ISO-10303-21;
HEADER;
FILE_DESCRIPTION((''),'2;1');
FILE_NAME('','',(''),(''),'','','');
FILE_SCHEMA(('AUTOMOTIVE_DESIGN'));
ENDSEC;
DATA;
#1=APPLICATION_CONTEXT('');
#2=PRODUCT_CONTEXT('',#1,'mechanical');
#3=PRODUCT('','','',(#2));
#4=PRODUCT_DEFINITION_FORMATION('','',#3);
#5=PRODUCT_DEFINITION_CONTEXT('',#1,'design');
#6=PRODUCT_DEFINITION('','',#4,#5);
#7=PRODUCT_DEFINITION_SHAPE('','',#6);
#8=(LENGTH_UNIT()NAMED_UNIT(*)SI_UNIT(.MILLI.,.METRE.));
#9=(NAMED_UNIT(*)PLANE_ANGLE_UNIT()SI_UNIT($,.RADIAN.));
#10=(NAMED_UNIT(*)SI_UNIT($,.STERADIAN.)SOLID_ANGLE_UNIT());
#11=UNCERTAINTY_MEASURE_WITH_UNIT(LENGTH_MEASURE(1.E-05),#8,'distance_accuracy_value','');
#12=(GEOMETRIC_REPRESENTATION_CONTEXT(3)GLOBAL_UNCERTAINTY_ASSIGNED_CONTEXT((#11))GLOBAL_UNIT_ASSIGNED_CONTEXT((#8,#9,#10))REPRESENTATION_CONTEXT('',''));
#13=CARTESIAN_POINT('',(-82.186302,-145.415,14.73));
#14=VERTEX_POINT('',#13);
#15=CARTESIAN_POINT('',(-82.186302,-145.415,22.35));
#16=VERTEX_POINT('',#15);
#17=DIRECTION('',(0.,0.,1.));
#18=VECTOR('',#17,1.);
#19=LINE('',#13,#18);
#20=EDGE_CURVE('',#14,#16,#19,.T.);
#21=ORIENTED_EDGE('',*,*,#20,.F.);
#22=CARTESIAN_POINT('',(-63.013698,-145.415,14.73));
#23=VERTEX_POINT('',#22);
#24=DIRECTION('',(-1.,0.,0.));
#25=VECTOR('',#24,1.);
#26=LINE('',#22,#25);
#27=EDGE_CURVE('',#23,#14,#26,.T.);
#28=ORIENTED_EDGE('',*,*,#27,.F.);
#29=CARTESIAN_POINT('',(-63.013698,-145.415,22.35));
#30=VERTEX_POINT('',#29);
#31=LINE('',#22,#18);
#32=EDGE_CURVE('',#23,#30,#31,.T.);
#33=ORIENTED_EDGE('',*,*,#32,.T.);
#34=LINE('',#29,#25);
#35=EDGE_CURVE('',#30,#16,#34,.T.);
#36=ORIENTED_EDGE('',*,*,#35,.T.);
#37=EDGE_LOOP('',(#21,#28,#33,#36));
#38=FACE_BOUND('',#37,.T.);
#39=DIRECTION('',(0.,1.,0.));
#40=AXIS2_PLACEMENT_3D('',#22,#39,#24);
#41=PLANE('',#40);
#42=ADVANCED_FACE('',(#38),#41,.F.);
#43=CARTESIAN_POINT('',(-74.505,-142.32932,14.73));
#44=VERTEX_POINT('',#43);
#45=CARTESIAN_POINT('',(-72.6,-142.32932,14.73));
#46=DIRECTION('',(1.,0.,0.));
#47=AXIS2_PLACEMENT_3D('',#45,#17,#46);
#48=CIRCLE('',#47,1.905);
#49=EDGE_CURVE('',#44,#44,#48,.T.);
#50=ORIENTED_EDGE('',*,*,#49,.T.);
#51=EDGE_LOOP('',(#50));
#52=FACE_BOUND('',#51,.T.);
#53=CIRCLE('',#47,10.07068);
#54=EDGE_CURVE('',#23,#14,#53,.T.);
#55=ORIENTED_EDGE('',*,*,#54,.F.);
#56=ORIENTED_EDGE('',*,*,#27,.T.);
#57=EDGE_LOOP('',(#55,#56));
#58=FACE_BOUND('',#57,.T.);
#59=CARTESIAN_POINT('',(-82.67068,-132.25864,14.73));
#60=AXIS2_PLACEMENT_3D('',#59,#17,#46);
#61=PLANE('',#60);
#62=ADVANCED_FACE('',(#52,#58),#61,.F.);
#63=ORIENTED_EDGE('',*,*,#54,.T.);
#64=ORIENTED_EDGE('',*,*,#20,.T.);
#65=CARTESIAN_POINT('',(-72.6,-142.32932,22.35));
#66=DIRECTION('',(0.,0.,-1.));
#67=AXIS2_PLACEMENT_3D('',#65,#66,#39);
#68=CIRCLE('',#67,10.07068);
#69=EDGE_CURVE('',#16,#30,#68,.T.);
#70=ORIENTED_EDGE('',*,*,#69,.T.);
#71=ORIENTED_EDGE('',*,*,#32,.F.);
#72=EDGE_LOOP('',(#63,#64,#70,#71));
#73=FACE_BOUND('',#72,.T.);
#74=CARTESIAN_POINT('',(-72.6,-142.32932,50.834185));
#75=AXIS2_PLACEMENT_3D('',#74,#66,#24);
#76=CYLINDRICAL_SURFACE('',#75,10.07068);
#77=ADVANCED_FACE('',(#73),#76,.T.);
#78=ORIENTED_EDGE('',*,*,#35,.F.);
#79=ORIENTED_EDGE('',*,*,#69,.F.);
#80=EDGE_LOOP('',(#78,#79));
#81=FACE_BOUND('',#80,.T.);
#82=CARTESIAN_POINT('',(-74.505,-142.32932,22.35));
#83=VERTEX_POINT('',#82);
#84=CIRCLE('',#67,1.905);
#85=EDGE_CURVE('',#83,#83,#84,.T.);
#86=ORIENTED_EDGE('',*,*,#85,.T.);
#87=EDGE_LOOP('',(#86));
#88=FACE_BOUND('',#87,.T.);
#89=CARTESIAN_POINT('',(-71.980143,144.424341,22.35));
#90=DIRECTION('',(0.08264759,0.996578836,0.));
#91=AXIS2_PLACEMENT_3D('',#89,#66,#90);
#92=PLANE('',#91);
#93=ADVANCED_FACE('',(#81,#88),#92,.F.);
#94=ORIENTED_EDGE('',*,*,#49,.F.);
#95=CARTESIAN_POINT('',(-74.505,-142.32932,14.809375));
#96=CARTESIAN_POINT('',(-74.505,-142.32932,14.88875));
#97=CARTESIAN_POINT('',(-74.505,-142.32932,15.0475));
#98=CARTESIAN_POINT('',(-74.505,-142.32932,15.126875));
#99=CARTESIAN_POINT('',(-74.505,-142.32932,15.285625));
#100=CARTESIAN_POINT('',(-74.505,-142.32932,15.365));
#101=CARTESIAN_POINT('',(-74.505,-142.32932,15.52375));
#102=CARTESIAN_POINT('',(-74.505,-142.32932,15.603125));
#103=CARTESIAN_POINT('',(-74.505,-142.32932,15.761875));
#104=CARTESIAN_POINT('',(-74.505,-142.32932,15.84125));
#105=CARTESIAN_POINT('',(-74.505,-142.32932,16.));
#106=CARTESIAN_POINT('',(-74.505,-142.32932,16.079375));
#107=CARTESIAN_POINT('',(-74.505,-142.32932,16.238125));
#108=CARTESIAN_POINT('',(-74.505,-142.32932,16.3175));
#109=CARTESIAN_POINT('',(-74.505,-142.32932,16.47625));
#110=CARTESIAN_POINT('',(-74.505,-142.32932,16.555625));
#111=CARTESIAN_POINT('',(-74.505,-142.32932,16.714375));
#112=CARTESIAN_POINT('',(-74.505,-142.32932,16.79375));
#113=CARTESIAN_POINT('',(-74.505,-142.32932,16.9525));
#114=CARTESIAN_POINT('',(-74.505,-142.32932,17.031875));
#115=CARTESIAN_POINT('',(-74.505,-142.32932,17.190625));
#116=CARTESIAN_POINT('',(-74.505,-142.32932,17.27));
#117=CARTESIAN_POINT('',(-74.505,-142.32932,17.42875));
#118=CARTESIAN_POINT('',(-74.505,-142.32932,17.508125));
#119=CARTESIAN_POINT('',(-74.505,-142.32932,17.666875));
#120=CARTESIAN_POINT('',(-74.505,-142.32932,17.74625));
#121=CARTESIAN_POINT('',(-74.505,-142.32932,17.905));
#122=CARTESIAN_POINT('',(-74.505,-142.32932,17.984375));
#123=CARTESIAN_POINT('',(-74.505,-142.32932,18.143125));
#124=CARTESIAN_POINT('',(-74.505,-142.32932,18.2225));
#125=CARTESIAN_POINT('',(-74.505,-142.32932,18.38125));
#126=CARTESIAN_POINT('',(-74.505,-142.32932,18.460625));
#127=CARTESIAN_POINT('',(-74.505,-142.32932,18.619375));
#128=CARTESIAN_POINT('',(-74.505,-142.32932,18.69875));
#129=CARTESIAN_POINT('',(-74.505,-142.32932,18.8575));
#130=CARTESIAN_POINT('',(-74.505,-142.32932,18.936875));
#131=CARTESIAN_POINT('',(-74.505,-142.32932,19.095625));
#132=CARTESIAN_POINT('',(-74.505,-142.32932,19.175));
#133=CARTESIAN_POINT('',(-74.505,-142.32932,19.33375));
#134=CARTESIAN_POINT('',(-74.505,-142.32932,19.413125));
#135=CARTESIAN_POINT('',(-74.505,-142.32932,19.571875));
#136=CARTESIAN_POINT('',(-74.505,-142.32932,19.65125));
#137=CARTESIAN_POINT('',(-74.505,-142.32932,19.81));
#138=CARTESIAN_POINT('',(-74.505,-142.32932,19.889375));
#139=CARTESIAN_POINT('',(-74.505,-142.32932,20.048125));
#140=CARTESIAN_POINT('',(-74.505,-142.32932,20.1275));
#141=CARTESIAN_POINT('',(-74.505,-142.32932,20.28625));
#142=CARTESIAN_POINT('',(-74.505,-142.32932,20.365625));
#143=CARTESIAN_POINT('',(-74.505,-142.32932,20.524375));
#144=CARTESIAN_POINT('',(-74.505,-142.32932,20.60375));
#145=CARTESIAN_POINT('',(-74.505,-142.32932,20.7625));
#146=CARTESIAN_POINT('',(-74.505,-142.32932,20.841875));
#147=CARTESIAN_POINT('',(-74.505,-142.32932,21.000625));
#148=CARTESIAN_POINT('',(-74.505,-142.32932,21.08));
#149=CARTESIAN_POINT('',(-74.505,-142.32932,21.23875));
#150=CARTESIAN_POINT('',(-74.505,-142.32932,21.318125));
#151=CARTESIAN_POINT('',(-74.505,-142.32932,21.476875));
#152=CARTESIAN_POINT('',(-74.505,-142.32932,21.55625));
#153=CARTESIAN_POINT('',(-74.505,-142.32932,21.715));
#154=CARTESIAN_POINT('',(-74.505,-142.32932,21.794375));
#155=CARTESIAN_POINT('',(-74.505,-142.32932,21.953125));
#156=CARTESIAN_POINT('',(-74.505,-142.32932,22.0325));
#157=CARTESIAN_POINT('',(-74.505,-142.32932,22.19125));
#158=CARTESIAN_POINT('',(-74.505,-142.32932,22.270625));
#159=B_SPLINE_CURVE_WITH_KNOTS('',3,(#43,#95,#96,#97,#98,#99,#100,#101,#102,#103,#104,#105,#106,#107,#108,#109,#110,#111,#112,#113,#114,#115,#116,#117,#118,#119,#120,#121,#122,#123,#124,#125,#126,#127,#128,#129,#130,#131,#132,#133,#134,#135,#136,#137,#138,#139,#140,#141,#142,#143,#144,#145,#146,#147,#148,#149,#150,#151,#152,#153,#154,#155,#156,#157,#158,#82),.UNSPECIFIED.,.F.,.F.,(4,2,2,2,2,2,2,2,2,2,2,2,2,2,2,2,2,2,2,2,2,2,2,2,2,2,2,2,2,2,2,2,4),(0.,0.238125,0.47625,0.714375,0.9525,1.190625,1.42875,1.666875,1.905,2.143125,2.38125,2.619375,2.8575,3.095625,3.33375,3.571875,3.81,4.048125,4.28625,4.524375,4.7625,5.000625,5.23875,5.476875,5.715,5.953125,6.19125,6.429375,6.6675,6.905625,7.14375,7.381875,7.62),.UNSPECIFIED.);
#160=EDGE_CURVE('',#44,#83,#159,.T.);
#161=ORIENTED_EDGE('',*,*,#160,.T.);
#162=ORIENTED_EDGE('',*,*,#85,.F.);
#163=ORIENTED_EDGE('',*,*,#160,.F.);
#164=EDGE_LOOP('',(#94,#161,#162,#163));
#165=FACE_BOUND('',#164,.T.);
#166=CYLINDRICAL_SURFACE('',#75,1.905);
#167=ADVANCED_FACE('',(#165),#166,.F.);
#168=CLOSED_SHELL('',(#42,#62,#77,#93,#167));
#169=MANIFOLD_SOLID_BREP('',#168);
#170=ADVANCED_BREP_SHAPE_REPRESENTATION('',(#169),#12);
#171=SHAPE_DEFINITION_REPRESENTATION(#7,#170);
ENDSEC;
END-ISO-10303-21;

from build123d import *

# Parameters (mm, degrees)
BOSS_EXTRUDE1_DEPTH      = 6.35
BOSS_EXTRUDE1_DEPTH_BACK = 6.35
SKETCH1_R                = 2.667
SKETCH2_R                = 10.070680165
SKETCH2_R_2              = 1.905
BOSS_EXTRUDE2_DEPTH      = 16
SKETCH4_W                = 19.172603048
SKETCH4_H                = 6.985
CUT_EXTRUDE2_DEPTH       = 7.62
CUT_EXTRUDE3_DEPTH       = 87.58734866
CUT_EXTRUDE3_DEPTH_BACK  = 87.58734866
SKETCH6_W                = 20.14136033
SKETCH6_H                = 21.08


with BuildPart() as part:
    # Sketch1 → Boss-Extrude1 (new, two sides: drawn at the far end of the back side and taken through both)
    with BuildSketch(Plane.XY.offset(-BOSS_EXTRUDE1_DEPTH_BACK)):
        with Locations((-72.6, -136.95)):
            Circle(SKETCH1_R)
    extrude(amount=BOSS_EXTRUDE1_DEPTH + BOSS_EXTRUDE1_DEPTH_BACK)

    # Sketch2 → Boss-Extrude2 (add)
    with BuildSketch(Plane.XY.offset(6.35)):
        with Locations(Location((-72.6, -142.329319835, 0), (0, 0, 90))):
            Circle(SKETCH2_R)
        with Locations(Location((-72.6, -142.329319835, 0), (0, 0, 90))):
            Circle(SKETCH2_R_2, mode=Mode.SUBTRACT)
    extrude(amount=BOSS_EXTRUDE2_DEPTH)

    # Sketch4 → Cut-Extrude2 (cut)
    with BuildSketch(Plane(origin=(0, 0, 22.35), x_dir=(-1, 0, 0), z_dir=(0, 0, -1))):
        with Locations((72.6, -148.9075)):
            Rectangle(SKETCH4_W, SKETCH4_H)
    extrude(amount=CUT_EXTRUDE2_DEPTH, mode=Mode.SUBTRACT)

    # Sketch6 → Cut-Extrude3 (cut, two sides: drawn at the far end of the back side and taken through both)
    with BuildSketch(Plane.XZ.offset(139.617).offset(-CUT_EXTRUDE3_DEPTH_BACK)):
        with Locations((-72.6, 4.19)):
            Rectangle(SKETCH6_W, SKETCH6_H)
    extrude(amount=CUT_EXTRUDE3_DEPTH + CUT_EXTRUDE3_DEPTH_BACK, mode=Mode.SUBTRACT)


solid = part.part
